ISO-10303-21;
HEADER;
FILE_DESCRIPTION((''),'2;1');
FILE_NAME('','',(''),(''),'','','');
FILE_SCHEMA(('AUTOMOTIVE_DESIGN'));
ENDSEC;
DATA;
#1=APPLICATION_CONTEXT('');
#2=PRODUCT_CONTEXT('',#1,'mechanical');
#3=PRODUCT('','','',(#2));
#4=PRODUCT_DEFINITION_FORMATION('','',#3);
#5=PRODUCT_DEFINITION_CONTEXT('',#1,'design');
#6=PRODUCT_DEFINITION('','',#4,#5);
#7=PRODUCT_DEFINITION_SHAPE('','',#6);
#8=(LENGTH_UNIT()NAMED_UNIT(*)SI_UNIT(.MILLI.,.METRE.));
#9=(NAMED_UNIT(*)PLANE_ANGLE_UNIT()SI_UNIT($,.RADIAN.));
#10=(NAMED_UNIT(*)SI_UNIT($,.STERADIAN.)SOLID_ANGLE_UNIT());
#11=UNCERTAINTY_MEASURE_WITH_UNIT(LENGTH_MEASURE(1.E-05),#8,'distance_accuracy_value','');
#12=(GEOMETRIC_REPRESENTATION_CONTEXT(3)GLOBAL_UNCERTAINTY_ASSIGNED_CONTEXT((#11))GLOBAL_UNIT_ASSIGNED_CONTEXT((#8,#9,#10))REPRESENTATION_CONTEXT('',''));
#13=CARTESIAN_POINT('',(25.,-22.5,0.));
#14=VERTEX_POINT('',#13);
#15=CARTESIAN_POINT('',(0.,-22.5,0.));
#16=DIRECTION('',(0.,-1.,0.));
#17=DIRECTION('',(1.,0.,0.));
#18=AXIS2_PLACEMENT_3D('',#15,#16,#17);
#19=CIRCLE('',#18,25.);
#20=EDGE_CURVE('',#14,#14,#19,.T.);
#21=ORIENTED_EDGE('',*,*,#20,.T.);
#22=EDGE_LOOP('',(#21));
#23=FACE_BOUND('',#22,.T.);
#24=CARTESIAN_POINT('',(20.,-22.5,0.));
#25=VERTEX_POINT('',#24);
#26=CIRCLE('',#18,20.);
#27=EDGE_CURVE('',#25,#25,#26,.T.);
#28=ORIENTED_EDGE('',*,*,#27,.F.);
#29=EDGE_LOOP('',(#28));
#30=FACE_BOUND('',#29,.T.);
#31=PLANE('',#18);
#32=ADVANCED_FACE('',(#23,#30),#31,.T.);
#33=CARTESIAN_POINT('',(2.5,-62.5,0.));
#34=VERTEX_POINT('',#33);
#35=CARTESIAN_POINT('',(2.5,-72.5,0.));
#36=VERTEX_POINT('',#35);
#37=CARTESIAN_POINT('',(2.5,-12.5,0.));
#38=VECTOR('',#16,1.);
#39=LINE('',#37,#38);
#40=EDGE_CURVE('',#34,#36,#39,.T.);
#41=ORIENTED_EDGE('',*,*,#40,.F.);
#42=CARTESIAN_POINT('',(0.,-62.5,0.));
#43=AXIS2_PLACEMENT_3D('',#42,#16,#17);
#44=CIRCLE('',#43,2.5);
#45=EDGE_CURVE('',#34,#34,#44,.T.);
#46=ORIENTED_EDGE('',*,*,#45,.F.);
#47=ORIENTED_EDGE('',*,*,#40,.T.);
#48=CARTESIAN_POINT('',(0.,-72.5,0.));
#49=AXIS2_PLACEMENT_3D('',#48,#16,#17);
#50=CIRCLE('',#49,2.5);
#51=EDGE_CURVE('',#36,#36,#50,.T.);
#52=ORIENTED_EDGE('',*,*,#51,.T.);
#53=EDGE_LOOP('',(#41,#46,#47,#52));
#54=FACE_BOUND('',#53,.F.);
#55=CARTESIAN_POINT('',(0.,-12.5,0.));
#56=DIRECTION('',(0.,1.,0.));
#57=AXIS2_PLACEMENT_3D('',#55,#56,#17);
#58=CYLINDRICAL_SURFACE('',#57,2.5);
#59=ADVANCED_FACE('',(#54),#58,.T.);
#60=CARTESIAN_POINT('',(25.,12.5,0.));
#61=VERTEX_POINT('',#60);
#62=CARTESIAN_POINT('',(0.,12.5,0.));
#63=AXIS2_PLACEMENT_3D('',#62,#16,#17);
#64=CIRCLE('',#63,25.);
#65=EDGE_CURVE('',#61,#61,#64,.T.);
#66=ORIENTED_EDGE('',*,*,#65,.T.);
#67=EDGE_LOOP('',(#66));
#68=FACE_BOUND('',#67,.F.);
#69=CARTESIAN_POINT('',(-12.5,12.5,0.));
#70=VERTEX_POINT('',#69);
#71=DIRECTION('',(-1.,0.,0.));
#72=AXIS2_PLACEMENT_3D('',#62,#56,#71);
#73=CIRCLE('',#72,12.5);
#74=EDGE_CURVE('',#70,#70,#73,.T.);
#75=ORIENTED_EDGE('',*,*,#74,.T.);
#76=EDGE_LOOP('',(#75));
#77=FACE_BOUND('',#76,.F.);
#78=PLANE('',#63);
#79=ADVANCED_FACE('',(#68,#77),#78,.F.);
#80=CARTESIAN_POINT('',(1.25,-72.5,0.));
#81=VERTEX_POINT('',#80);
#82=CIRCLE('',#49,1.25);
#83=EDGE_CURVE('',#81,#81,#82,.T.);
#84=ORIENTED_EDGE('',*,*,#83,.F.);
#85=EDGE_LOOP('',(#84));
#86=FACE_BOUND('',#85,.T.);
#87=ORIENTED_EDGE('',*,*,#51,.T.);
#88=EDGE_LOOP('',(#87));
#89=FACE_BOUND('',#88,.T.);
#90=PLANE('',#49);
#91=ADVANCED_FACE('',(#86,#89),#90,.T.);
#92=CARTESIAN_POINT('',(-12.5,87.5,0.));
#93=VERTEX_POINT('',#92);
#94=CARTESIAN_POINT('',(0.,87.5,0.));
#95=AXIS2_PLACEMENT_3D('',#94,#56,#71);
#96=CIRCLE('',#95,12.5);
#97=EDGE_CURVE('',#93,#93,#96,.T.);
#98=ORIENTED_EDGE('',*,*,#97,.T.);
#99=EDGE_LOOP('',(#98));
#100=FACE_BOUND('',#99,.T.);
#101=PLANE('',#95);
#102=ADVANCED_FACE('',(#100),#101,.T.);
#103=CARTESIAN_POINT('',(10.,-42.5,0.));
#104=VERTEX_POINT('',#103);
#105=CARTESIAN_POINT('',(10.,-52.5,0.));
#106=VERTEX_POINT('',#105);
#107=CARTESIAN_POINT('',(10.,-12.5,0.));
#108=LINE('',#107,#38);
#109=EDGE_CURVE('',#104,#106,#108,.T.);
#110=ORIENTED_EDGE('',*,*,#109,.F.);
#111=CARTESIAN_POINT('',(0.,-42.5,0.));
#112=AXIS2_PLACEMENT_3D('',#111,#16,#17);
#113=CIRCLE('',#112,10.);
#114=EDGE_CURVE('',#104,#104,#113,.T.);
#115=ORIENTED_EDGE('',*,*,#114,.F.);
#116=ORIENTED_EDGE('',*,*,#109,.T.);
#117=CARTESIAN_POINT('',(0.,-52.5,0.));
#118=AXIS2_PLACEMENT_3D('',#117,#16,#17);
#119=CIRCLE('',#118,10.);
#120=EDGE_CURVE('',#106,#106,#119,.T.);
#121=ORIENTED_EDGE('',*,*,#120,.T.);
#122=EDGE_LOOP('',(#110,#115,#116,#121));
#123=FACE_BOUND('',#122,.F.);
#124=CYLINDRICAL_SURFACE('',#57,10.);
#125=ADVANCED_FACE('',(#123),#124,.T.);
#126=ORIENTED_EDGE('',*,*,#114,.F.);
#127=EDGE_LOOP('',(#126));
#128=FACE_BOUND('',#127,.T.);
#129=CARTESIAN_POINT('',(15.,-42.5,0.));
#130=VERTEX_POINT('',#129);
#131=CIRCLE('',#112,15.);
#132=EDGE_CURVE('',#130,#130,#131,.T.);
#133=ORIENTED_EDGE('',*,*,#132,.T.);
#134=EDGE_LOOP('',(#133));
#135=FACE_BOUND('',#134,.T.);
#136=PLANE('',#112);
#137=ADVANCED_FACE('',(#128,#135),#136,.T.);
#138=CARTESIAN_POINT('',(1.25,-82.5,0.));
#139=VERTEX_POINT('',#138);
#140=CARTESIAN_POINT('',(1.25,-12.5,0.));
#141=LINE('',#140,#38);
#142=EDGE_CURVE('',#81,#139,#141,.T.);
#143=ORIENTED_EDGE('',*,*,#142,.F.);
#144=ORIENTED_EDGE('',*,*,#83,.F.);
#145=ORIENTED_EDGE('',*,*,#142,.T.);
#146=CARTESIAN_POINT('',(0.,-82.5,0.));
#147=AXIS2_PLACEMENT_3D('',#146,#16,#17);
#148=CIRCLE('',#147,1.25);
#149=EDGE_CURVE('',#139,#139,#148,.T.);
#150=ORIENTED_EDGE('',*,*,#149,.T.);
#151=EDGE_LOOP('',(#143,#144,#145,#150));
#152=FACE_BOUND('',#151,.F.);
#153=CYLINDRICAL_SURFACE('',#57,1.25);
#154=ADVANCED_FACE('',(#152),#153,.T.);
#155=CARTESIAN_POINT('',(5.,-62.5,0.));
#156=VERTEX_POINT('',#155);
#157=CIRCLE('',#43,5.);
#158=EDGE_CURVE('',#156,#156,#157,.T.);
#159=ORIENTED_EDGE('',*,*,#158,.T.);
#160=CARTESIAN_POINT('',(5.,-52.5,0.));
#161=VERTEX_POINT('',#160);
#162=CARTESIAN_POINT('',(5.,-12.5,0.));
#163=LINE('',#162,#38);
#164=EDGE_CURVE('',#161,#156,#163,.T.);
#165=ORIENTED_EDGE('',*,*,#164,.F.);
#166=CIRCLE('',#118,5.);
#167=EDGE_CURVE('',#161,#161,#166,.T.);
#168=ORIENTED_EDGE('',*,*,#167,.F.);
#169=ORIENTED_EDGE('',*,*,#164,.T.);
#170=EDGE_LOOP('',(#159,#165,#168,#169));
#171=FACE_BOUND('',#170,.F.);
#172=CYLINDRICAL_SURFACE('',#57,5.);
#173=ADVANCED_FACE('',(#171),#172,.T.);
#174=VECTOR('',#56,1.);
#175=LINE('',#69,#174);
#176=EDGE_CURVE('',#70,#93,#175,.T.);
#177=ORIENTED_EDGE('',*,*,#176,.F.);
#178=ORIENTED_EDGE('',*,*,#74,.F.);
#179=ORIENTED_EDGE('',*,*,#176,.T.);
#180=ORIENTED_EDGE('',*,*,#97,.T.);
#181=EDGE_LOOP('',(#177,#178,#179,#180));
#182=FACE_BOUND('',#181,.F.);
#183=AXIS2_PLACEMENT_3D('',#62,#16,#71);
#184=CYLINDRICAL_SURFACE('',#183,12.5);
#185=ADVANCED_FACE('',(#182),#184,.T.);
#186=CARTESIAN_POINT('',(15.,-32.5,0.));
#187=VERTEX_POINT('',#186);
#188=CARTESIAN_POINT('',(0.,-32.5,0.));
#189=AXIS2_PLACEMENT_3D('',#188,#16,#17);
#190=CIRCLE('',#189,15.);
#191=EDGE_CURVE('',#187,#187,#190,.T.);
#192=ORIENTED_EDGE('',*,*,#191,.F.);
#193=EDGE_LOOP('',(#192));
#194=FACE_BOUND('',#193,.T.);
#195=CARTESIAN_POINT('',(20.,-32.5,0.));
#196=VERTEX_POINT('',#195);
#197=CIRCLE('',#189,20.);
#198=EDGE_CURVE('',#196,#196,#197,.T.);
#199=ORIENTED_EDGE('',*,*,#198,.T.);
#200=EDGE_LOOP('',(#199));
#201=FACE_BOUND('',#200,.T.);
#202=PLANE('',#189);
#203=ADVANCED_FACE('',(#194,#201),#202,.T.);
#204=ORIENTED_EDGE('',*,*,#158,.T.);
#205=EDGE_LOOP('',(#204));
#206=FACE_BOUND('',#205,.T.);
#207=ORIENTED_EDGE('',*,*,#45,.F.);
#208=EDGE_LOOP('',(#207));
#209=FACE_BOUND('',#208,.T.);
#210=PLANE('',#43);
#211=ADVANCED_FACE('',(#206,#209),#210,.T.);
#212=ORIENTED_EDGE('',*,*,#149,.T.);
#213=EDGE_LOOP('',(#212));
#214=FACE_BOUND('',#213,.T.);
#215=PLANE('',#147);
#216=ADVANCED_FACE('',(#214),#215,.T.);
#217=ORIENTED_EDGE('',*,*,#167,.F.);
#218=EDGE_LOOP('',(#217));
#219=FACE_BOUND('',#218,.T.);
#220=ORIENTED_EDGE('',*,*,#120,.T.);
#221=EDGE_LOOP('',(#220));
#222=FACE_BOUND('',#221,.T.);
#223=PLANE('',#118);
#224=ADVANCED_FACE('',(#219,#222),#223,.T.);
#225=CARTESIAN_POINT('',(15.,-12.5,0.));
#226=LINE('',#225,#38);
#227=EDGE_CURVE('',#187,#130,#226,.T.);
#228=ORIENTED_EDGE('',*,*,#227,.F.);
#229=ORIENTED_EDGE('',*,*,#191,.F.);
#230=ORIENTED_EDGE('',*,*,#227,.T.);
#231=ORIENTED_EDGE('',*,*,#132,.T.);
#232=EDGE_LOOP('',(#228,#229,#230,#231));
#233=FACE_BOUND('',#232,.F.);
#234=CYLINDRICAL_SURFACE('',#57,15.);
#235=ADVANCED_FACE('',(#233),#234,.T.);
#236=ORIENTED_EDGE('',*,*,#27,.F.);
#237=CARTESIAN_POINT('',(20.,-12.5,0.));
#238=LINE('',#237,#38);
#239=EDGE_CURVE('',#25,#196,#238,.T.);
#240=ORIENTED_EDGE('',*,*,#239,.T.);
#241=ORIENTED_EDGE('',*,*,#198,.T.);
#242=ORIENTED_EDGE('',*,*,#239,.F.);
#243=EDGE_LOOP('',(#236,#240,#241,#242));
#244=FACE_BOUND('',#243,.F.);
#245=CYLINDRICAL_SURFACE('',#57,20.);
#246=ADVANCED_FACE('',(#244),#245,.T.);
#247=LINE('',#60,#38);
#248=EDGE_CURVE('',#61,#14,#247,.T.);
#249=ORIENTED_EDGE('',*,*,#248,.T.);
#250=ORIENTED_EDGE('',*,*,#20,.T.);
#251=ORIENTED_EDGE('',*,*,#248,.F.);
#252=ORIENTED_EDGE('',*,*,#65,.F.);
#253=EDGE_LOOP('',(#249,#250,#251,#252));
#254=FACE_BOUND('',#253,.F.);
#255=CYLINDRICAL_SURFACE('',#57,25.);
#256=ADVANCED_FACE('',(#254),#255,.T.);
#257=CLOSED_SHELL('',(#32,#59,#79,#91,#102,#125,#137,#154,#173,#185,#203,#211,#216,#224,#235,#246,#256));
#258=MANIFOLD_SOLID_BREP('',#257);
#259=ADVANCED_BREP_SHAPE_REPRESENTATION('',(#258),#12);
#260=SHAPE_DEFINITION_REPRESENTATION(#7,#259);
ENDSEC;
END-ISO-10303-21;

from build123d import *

# Parameters (mm, degrees)
F0_R      = 25
F1_DEPTH  = 12.5
F2_R      = 5
F2_R_2    = 2.5
F3_DEPTH  = 50
F2_R_3    = 10
F4_DEPTH  = 40
F2_R_4    = 15
F5_DEPTH  = 30
F2_R_5    = 20
F6_DEPTH  = 20
F2_R_6    = 25
F7_DEPTH  = 10
F2_R_7    = 1.25
F8_DEPTH  = 60
F9_DEPTH  = 70
F10_R     = 12.5
F11_DEPTH = 75


with BuildPart() as f1:
    # F0 (on Front) → F1 (new body, symmetric)
    with BuildSketch(Plane.XZ):
        Circle(F0_R)
    extrude(amount=F1_DEPTH, both=True)

    # F2 (on face) → F3 (join)
    with BuildSketch(Plane.XZ.offset(12.5)):
        Circle(F2_R)
        Circle(F2_R_2, mode=Mode.SUBTRACT)
    extrude(amount=F3_DEPTH)

    # F2 (on face) → F4 (join)
    with BuildSketch(Plane.XZ.offset(12.5)):
        Circle(F2_R_3)
        Circle(F2_R, mode=Mode.SUBTRACT)
    extrude(amount=F4_DEPTH)

    # F2 (on face) → F5 (join)
    with BuildSketch(Plane.XZ.offset(12.5)):
        Circle(F2_R_4)
        Circle(F2_R_3, mode=Mode.SUBTRACT)
    extrude(amount=F5_DEPTH)

    # F2 (on face) → F6 (join)
    with BuildSketch(Plane.XZ.offset(12.5)):
        Circle(F2_R_5)
        Circle(F2_R_4, mode=Mode.SUBTRACT)
    extrude(amount=F6_DEPTH)

    # F2 (on face) → F7 (join)
    with BuildSketch(Plane.XZ.offset(12.5)):
        Circle(F2_R_6)
        Circle(F2_R_5, mode=Mode.SUBTRACT)
    extrude(amount=F7_DEPTH)

    # F2 (on face) → F8 (join)
    with BuildSketch(Plane.XZ.offset(12.5)):
        Circle(F2_R_2)
        Circle(F2_R_7, mode=Mode.SUBTRACT)
    extrude(amount=F8_DEPTH)

    # F2 (on face) → F9 (join)
    with BuildSketch(Plane.XZ.offset(12.5)):
        Circle(F2_R_7)
    extrude(amount=F9_DEPTH)

    # F10 (on face) → F11 (join)
    with BuildSketch(Plane(origin=(0, 12.5, 0), x_dir=(-1, 0, 0), z_dir=(0, 1, 0))):
        Circle(F10_R)
    extrude(amount=F11_DEPTH)


solid = f1.part
